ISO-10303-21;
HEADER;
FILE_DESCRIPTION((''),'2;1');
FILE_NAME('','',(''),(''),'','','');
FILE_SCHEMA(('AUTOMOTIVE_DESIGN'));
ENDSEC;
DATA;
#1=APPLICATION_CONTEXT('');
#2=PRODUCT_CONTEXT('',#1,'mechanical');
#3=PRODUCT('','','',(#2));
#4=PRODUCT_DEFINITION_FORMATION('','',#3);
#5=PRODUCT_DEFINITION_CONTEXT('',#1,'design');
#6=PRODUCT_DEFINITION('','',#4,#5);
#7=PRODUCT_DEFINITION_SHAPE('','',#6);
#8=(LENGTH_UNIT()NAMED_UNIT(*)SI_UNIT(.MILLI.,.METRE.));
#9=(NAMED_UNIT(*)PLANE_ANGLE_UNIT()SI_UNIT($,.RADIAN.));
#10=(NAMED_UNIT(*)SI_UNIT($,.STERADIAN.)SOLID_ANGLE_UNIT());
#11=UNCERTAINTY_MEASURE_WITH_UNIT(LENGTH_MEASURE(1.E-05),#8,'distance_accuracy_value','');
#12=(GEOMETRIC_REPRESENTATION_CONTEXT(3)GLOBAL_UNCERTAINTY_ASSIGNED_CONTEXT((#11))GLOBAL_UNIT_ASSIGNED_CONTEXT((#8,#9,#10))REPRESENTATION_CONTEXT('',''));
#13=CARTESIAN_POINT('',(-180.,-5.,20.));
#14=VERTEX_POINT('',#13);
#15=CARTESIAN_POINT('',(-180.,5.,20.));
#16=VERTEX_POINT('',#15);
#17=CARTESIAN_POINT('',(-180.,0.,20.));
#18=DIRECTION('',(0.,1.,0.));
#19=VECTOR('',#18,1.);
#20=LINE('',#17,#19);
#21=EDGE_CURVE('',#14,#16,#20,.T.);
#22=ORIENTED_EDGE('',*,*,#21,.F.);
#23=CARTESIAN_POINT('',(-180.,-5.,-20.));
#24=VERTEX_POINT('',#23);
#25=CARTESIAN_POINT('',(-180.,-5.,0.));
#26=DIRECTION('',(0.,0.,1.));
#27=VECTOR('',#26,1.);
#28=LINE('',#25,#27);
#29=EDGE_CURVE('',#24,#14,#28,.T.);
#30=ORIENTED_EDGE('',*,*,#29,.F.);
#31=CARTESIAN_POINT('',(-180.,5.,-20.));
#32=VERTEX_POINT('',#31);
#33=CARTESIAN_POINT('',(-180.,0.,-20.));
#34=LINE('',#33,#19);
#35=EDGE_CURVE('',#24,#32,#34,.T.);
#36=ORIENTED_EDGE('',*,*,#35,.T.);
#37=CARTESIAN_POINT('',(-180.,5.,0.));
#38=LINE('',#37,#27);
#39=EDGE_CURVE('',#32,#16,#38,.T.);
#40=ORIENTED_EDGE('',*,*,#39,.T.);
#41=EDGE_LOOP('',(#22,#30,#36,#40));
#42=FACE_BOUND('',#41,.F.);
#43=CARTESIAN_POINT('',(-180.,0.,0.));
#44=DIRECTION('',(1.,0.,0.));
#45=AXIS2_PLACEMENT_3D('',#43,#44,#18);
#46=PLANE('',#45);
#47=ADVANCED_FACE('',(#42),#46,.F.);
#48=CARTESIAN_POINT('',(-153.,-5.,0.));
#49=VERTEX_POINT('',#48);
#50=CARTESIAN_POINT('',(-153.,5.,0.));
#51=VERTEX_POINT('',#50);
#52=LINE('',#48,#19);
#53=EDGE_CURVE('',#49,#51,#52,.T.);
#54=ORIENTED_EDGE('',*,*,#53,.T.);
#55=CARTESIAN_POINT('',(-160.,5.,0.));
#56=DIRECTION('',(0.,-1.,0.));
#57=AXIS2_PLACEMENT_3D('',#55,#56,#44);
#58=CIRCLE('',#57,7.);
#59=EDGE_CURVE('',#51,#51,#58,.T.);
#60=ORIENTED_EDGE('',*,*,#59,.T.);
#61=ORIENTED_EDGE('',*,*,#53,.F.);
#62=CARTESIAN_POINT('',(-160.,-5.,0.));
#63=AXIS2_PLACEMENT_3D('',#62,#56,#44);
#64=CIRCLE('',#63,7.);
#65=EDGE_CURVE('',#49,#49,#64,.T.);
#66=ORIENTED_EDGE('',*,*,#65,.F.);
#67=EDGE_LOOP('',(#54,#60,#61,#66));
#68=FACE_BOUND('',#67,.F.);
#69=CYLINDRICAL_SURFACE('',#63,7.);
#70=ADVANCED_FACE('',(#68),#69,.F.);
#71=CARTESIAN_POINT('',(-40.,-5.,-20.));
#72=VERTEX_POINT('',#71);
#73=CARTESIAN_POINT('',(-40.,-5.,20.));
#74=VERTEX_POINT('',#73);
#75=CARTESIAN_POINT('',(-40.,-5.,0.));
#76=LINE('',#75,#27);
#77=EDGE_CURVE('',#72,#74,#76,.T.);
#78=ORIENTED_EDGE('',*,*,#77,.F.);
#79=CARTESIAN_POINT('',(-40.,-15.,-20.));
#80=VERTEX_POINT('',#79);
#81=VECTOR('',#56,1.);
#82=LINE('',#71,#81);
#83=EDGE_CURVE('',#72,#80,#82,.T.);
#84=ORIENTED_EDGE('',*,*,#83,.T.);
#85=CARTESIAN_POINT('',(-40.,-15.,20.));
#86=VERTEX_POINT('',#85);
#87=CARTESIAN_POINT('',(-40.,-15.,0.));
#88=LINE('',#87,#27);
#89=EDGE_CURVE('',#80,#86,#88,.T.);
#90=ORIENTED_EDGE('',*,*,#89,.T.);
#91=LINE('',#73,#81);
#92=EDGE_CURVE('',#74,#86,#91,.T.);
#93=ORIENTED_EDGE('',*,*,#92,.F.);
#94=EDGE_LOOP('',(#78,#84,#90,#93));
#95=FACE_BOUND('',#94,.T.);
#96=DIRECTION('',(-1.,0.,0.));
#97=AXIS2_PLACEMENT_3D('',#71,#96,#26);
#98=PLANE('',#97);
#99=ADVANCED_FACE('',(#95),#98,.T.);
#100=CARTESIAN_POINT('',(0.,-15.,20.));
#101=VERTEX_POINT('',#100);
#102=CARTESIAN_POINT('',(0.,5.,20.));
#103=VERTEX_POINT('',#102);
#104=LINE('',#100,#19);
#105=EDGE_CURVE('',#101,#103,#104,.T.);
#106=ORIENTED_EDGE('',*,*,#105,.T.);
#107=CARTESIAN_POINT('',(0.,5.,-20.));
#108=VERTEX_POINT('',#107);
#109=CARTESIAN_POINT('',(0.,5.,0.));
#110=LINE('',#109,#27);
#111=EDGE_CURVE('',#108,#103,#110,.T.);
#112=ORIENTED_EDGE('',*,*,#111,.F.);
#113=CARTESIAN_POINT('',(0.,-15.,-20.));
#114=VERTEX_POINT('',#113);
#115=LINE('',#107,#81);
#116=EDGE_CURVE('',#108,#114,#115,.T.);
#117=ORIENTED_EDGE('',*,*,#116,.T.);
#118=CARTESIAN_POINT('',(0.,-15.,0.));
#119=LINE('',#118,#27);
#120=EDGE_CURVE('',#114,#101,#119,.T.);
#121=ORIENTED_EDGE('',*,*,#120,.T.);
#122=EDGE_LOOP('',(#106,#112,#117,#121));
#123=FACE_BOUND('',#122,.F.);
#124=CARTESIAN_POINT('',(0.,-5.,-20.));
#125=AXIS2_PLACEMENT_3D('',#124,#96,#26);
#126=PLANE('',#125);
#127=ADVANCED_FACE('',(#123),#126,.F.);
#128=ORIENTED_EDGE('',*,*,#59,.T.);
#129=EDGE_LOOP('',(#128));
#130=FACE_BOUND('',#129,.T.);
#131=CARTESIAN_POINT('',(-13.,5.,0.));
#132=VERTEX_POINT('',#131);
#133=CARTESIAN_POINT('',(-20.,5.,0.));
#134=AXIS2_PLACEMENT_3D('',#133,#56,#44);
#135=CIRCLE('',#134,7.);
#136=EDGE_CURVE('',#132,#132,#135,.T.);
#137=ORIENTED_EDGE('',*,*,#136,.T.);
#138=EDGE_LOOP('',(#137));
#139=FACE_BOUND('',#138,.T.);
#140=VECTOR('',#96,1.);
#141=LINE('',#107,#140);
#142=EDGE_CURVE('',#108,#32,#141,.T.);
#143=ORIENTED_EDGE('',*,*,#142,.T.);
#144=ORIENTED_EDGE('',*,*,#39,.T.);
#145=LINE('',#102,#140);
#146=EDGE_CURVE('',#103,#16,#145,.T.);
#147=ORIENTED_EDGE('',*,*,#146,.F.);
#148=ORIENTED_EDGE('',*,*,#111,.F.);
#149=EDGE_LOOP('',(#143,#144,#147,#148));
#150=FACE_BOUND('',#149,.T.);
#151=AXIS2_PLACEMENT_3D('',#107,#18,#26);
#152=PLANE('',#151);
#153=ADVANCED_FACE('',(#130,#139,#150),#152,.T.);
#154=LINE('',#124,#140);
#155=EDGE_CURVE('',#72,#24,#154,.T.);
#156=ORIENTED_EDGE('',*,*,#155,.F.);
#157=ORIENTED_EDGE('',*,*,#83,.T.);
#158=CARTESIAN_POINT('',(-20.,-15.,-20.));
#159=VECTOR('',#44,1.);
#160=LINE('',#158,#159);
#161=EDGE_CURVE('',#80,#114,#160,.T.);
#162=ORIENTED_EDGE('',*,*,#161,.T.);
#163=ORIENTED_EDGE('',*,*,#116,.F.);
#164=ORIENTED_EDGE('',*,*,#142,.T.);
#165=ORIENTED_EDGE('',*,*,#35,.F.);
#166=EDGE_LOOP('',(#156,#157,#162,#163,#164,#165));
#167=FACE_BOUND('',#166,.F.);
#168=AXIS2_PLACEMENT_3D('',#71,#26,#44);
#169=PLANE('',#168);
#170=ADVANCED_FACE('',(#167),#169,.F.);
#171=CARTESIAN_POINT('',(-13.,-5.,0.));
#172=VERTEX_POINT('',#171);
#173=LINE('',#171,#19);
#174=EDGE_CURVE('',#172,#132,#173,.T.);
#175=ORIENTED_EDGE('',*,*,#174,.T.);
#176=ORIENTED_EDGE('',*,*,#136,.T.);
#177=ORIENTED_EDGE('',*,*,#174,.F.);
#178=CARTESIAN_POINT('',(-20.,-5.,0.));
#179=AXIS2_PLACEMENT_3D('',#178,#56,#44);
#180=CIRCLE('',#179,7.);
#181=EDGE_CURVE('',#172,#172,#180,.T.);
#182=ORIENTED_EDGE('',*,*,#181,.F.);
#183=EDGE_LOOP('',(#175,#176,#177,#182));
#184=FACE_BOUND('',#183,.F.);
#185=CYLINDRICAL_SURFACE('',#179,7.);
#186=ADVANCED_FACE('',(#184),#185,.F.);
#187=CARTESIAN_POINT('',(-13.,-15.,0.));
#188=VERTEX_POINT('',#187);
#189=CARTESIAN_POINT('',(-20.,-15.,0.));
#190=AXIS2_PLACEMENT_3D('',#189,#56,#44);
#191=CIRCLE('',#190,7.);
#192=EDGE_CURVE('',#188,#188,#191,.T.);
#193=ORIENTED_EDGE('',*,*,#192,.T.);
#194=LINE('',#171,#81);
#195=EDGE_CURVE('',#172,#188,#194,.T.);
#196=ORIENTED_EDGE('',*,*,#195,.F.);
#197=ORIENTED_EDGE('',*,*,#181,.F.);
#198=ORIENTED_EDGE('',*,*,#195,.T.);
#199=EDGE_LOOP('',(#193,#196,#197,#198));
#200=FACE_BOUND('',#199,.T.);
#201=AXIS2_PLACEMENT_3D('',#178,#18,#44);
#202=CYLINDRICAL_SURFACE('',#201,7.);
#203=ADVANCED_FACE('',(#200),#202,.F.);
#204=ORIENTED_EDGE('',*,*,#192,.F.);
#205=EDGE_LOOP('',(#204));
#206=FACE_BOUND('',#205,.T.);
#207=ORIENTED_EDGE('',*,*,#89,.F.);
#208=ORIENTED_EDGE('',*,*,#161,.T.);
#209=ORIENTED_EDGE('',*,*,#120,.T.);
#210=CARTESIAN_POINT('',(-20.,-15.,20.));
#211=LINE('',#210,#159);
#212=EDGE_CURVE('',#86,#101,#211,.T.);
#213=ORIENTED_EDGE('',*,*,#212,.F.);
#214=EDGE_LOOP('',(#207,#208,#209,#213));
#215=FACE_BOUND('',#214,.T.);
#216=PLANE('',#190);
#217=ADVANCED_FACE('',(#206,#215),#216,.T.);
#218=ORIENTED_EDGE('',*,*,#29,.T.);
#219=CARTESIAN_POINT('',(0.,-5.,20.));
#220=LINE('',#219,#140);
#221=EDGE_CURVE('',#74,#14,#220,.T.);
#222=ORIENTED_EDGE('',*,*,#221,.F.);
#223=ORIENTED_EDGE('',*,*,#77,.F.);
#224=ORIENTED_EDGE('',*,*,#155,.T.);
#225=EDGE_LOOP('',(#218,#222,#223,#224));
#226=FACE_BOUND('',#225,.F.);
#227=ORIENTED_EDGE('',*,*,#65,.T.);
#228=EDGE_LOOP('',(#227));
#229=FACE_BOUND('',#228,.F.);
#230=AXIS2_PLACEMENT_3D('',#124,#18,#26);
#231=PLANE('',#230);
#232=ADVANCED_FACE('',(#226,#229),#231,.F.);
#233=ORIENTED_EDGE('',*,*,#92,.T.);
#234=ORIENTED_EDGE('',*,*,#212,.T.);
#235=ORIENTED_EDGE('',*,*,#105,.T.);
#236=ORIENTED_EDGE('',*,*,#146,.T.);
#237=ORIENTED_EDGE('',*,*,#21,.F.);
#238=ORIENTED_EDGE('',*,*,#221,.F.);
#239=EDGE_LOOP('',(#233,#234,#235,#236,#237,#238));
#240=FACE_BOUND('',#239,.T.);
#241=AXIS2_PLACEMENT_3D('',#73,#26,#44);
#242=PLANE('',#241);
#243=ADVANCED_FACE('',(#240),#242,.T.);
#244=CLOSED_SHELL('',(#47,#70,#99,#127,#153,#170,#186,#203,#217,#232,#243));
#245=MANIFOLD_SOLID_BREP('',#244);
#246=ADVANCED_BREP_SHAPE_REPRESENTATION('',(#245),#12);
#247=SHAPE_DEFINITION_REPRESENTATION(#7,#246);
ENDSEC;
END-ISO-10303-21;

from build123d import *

# Parameters (mm, degrees)
F0_W     = 10
F0_H     = 40
F1_DEPTH = 180
F2_R     = 7
F3_DEPTH = 10.001
F4_W     = 40
F4_H     = 40
F4_R     = 7
F5_DEPTH = 10


with BuildPart() as f1:
    # F0 (on Right) → F1 (new body)
    with BuildSketch(Plane.YZ):
        Rectangle(F0_W, F0_H)
    extrude(amount=-F1_DEPTH)

    # F2 (on face) → F3 (cut, through all)
    with BuildSketch(Plane.XZ.offset(5)):
        with Locations((-160, 0)):
            Circle(F2_R)
        with Locations((-20, 0)):
            Circle(F2_R)
    extrude(amount=-F3_DEPTH, mode=Mode.SUBTRACT)

    # F4 (on face) → F5 (join)
    with BuildSketch(Plane.XZ.offset(5)):
        with Locations((-20, 0)):
            Rectangle(F4_W, F4_H)
        with Locations((-20, 0)):
            Circle(F4_R, mode=Mode.SUBTRACT)
    extrude(amount=F5_DEPTH)


solid = f1.part
